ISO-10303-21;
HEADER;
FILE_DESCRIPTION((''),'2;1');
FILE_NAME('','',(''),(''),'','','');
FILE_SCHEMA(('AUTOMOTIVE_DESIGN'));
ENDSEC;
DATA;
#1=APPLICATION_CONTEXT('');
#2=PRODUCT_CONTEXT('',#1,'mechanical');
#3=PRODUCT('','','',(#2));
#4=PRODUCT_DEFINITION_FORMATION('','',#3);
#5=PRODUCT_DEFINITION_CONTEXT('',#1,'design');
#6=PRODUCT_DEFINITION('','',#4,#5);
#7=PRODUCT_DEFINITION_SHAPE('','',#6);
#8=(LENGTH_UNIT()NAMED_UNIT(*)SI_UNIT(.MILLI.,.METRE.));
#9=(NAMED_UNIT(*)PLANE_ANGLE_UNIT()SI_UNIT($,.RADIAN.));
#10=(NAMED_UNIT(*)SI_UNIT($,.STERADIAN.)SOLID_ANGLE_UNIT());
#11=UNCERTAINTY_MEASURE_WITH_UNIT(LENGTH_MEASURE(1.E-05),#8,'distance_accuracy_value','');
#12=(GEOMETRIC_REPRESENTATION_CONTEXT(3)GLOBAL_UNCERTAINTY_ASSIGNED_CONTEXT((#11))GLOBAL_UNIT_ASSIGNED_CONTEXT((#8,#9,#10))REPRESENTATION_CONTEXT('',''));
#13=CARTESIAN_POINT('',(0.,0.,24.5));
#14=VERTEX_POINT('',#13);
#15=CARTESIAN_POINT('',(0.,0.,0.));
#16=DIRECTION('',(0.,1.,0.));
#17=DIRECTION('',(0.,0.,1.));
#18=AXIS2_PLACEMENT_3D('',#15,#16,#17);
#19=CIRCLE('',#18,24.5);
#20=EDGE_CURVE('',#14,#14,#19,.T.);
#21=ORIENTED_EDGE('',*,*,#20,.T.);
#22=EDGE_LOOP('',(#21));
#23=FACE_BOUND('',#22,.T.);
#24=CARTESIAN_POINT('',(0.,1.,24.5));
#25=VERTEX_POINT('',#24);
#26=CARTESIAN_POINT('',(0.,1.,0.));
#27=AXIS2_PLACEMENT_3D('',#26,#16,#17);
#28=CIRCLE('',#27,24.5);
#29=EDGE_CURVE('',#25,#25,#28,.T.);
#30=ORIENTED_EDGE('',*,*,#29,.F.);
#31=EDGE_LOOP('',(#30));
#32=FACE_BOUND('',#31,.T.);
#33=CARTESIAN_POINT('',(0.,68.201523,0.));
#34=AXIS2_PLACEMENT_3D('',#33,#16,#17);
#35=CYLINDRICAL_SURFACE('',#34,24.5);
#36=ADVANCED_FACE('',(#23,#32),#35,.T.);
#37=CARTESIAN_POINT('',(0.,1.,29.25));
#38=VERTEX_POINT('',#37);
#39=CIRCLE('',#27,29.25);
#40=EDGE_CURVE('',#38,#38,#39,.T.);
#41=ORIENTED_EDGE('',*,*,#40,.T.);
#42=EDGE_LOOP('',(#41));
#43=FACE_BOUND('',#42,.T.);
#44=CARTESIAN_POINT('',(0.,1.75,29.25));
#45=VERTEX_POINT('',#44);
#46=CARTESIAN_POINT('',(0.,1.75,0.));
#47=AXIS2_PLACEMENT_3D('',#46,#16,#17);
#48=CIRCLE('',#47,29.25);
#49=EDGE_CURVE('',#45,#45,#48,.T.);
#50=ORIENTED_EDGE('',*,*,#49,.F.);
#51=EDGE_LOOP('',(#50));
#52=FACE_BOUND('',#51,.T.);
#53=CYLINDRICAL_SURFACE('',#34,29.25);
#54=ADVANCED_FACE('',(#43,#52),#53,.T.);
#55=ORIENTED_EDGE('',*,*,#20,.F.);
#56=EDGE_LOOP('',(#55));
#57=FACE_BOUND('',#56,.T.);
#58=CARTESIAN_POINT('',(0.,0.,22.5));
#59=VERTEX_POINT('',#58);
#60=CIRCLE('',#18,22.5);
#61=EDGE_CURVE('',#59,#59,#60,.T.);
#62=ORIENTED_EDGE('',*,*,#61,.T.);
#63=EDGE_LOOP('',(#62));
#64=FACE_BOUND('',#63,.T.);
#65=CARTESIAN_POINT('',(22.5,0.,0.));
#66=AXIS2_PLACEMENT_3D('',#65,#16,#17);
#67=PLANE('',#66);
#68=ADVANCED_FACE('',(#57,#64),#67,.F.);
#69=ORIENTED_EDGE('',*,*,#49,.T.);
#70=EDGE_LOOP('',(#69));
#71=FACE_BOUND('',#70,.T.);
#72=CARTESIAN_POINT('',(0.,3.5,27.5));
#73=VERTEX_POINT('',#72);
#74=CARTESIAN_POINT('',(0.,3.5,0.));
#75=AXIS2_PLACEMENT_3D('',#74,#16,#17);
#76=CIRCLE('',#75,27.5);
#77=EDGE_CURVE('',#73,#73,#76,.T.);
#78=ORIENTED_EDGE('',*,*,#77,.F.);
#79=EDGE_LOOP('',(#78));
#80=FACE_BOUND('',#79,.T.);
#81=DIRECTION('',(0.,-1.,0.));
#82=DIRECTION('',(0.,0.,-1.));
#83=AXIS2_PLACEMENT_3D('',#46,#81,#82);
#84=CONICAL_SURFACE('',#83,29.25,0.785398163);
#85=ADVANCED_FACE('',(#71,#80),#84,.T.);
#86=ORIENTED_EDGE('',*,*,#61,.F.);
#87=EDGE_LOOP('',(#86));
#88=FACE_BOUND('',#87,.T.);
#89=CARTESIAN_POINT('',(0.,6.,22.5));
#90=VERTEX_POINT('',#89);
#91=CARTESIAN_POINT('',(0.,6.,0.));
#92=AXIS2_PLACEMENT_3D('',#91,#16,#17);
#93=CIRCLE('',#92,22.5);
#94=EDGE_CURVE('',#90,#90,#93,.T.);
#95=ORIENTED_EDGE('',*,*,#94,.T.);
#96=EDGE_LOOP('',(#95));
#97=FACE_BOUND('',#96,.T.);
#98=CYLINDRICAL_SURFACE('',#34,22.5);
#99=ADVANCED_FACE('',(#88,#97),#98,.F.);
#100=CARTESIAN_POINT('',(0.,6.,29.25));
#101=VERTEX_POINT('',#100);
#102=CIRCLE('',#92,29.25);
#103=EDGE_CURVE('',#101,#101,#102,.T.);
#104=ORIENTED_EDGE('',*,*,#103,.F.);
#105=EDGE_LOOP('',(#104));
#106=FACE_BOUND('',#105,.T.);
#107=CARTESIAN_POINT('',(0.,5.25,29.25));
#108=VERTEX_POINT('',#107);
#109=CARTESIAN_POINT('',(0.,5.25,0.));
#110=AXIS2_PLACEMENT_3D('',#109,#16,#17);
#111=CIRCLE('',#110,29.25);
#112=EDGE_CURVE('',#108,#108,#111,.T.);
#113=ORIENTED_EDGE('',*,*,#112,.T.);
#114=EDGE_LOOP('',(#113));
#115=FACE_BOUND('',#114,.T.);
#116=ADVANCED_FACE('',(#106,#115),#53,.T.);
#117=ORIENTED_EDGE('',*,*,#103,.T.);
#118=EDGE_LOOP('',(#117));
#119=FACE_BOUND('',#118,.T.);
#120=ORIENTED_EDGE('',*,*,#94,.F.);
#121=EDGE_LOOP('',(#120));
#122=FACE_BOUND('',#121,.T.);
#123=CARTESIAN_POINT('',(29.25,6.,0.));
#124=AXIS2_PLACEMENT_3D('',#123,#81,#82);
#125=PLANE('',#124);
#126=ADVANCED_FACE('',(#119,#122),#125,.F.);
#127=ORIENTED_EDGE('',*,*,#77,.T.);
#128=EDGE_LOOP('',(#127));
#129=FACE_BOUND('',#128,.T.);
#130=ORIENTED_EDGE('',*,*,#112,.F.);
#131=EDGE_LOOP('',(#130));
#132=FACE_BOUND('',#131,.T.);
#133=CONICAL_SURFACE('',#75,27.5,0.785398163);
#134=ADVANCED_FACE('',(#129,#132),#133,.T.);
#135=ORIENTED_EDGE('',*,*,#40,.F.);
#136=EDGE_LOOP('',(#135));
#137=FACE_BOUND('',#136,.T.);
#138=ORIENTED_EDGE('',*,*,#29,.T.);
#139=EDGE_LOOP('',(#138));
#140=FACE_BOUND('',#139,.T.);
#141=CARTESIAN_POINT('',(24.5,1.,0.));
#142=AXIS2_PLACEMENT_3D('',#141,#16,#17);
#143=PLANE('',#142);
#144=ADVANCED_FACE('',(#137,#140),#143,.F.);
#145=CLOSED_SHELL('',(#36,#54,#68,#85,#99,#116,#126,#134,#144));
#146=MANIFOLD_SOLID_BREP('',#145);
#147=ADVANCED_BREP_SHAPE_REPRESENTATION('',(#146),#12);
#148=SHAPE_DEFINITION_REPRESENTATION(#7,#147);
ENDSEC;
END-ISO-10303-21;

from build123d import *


with BuildPart() as part:
    # Esquisse1 → Révolution1 (revolve)
    with BuildSketch(Plane.XY, mode=Mode.PRIVATE) as r_volution1_sk:
        Polygon((22.5, 0), (24.5, 0), (24.5, 1), (29.25, 1), (29.25, 1.75), (27.5, 3.5), (29.25, 5.25), (29.25, 6), (22.5, 6), align=None)
    revolve(r_volution1_sk.sketch.rotate(Axis((0, 68.201523179, 0), (0, -1, 0)), 90), axis=Axis((0, 68.201523179, 0), (0, -1, 0)))


solid = part.part
